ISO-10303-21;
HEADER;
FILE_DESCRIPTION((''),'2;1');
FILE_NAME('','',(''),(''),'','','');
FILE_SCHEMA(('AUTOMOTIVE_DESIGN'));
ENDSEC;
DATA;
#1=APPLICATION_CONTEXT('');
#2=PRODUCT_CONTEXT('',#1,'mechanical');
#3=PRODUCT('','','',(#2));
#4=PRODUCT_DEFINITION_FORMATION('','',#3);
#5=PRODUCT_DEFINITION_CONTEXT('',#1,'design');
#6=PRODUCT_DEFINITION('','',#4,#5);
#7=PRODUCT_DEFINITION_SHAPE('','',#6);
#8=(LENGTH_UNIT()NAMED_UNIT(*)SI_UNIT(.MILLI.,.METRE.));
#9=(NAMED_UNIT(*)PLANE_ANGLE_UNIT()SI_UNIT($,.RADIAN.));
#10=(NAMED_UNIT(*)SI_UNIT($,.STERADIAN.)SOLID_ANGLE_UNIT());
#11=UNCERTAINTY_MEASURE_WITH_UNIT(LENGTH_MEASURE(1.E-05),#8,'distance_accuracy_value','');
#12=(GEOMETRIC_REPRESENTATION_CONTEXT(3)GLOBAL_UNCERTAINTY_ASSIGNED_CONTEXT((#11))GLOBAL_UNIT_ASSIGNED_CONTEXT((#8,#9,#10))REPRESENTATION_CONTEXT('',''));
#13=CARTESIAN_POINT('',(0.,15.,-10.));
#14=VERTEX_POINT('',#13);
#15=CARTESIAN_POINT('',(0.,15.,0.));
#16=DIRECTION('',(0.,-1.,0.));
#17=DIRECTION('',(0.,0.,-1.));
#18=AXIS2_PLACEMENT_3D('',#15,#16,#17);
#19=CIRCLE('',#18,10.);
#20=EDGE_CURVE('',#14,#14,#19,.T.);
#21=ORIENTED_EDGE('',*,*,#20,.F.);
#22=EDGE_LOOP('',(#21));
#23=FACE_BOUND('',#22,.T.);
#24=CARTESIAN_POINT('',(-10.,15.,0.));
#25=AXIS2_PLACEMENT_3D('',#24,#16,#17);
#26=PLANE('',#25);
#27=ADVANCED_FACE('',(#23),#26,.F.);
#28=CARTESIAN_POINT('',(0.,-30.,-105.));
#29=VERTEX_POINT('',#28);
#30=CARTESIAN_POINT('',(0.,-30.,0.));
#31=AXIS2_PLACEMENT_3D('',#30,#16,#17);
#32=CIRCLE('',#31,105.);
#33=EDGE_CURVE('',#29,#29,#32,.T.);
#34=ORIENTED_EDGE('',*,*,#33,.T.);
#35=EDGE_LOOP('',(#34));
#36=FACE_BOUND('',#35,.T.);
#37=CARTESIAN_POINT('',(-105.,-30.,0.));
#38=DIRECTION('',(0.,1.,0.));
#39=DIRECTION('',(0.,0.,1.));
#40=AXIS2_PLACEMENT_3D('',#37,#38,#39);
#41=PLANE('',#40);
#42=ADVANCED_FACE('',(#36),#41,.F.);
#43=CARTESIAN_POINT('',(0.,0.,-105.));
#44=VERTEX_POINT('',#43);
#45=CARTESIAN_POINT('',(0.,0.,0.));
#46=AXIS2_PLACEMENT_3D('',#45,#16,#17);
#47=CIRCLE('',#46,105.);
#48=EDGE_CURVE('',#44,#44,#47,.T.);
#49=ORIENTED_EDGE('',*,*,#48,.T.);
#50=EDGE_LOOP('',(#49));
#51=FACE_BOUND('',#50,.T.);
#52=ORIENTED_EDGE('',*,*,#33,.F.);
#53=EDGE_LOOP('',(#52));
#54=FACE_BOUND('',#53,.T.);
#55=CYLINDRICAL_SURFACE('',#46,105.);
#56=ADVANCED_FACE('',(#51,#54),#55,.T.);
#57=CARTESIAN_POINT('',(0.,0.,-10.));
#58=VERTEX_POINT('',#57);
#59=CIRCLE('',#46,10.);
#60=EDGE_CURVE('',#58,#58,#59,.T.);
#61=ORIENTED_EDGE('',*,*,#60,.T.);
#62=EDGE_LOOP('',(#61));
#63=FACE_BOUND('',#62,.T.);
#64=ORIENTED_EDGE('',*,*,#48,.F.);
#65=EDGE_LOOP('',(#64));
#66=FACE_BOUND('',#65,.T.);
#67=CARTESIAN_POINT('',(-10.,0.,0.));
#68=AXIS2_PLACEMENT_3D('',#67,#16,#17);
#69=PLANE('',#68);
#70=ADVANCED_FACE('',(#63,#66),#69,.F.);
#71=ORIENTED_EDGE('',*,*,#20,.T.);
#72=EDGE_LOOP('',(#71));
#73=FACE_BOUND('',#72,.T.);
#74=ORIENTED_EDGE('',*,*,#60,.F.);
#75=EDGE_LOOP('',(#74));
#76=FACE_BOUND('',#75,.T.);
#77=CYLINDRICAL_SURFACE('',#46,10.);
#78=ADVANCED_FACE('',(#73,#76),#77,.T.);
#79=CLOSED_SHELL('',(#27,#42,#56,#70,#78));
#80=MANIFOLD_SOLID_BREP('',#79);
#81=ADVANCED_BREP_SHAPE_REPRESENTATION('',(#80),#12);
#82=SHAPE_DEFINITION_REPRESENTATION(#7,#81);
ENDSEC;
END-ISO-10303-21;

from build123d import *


with BuildPart() as part:
    # Sketch1 → Revolve1 (revolve)
    with BuildSketch(Plane.XY, mode=Mode.PRIVATE) as revolve1_sk:
        Polygon((-10, 0), (-105, 0), (-105, -30), (0, -30), (0, 15), (-10, 15), align=None)
    revolve(revolve1_sk.sketch.rotate(Axis((0, 0, 0), (0, 1, 0)), 270), axis=Axis((0, 0, 0), (0, 1, 0)))


solid = part.part
